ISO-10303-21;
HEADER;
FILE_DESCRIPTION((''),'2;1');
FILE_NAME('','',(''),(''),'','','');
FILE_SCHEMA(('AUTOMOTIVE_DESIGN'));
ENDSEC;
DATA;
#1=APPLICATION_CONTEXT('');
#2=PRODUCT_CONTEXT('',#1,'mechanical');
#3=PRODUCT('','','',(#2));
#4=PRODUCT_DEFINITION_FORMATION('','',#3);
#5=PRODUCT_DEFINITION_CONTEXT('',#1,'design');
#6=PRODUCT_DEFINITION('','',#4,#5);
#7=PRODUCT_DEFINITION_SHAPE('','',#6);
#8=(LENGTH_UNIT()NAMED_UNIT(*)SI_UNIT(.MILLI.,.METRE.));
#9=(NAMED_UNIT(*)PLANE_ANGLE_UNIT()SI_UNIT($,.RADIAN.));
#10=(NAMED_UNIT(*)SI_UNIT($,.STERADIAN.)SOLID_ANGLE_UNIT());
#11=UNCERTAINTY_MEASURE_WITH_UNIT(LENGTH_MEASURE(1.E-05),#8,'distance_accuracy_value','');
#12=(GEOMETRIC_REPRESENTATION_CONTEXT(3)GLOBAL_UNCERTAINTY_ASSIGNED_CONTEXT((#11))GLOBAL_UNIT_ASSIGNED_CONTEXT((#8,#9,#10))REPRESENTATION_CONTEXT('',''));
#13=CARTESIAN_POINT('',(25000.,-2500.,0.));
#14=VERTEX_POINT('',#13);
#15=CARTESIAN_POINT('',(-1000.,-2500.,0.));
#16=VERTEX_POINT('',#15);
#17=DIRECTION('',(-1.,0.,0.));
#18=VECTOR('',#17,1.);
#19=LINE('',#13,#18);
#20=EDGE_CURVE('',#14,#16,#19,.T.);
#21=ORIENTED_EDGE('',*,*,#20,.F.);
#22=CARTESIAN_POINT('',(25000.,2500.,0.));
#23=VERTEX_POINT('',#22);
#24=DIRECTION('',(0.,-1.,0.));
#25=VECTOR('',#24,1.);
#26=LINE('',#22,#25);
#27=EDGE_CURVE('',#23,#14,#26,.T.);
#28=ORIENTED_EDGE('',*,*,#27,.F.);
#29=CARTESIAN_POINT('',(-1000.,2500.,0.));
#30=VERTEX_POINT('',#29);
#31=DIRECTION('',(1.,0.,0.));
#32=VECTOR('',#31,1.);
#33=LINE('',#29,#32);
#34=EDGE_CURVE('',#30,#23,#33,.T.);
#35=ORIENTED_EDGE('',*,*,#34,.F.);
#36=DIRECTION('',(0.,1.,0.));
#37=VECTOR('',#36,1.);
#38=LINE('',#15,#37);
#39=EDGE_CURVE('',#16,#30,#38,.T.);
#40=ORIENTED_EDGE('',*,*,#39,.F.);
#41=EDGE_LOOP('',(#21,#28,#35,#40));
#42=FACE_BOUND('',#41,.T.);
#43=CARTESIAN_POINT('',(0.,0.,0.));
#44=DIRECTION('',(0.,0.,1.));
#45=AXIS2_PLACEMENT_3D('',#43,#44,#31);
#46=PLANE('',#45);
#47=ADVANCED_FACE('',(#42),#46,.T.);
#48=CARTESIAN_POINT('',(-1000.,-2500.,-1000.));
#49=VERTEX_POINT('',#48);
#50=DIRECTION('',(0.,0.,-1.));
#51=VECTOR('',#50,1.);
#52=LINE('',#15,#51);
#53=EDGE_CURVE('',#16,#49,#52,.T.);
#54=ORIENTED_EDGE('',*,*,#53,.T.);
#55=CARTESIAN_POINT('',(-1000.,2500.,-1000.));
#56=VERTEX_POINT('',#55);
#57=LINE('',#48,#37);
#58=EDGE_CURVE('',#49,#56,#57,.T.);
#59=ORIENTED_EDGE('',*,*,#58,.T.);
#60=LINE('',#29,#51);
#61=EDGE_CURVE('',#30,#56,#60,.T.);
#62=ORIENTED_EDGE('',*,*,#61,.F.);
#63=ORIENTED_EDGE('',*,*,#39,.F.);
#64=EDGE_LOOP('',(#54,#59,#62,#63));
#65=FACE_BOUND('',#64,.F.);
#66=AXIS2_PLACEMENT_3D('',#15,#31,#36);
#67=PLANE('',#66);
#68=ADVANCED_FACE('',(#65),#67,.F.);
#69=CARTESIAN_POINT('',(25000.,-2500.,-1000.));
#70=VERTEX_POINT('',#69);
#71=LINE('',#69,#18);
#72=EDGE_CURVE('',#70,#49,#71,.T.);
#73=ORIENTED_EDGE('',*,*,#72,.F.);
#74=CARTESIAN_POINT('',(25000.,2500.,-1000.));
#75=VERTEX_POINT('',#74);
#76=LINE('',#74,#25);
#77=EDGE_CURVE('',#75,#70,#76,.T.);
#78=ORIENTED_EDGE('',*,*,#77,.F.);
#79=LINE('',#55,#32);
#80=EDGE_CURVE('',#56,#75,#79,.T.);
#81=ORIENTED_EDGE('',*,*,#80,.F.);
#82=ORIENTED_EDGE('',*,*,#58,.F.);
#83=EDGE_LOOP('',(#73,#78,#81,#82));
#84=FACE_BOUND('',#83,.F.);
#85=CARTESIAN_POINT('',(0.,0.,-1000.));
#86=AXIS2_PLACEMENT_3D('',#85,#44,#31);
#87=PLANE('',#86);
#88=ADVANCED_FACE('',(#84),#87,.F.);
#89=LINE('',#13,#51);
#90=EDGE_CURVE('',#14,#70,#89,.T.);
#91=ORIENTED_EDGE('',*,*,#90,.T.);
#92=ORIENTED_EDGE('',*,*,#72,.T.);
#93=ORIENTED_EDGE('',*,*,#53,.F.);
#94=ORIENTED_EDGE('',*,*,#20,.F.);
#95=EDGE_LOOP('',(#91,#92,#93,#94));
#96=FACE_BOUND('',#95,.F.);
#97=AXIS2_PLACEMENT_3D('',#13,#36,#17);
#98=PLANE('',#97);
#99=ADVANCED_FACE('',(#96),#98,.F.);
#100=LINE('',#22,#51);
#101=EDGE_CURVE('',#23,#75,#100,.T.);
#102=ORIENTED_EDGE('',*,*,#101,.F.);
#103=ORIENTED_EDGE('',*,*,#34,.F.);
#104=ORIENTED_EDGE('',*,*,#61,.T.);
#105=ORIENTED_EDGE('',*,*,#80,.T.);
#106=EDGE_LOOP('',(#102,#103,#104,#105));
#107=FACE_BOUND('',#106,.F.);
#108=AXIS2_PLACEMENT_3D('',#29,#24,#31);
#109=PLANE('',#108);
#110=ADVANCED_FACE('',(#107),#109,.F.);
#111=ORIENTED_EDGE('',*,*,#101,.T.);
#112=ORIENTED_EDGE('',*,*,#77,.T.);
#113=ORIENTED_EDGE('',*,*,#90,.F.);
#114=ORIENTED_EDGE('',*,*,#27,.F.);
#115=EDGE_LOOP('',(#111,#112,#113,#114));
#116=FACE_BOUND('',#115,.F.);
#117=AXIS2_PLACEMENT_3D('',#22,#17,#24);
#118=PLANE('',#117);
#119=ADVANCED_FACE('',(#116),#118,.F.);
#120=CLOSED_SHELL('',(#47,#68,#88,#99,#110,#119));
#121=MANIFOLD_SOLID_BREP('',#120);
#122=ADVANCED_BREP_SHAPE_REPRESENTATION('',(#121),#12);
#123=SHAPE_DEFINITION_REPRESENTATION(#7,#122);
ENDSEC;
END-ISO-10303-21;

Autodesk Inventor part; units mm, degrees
ref_plane "YZ Plane" through (0, 0, 0) normal (1, 0, 0) x (0, 1, 0)
ref_plane "XZ Plane" through (0, 0, 0) normal (0, 1, 0) x (-1, 0, 0)
ref_plane "XY Plane" through (0, 0, 0) normal (0, 0, 1) x (1, 0, 0)
sketch "スケッチ1" plane through (0, 0, 0) normal (0, 0, 1) x (1, 0, 0)
  line L0 (-1000, 2500) -> (25000, 2500)
  line L1 (25000, 2500) -> (25000, -2500)
  line L2 (25000, -2500) -> (-1000, -2500)
  line L3 (-1000, -2500) -> (-1000, 2500)
  point P0 (0, 0)
  point P1 (-1000, 0)
  dimension "d0" = 1000
  dimension "d1" = 25000
  dimension "d2" = 5000
extrude "押し出し1" add sketch "スケッチ1" against normal blind 1000
properties part number "GroundShorttrack"
